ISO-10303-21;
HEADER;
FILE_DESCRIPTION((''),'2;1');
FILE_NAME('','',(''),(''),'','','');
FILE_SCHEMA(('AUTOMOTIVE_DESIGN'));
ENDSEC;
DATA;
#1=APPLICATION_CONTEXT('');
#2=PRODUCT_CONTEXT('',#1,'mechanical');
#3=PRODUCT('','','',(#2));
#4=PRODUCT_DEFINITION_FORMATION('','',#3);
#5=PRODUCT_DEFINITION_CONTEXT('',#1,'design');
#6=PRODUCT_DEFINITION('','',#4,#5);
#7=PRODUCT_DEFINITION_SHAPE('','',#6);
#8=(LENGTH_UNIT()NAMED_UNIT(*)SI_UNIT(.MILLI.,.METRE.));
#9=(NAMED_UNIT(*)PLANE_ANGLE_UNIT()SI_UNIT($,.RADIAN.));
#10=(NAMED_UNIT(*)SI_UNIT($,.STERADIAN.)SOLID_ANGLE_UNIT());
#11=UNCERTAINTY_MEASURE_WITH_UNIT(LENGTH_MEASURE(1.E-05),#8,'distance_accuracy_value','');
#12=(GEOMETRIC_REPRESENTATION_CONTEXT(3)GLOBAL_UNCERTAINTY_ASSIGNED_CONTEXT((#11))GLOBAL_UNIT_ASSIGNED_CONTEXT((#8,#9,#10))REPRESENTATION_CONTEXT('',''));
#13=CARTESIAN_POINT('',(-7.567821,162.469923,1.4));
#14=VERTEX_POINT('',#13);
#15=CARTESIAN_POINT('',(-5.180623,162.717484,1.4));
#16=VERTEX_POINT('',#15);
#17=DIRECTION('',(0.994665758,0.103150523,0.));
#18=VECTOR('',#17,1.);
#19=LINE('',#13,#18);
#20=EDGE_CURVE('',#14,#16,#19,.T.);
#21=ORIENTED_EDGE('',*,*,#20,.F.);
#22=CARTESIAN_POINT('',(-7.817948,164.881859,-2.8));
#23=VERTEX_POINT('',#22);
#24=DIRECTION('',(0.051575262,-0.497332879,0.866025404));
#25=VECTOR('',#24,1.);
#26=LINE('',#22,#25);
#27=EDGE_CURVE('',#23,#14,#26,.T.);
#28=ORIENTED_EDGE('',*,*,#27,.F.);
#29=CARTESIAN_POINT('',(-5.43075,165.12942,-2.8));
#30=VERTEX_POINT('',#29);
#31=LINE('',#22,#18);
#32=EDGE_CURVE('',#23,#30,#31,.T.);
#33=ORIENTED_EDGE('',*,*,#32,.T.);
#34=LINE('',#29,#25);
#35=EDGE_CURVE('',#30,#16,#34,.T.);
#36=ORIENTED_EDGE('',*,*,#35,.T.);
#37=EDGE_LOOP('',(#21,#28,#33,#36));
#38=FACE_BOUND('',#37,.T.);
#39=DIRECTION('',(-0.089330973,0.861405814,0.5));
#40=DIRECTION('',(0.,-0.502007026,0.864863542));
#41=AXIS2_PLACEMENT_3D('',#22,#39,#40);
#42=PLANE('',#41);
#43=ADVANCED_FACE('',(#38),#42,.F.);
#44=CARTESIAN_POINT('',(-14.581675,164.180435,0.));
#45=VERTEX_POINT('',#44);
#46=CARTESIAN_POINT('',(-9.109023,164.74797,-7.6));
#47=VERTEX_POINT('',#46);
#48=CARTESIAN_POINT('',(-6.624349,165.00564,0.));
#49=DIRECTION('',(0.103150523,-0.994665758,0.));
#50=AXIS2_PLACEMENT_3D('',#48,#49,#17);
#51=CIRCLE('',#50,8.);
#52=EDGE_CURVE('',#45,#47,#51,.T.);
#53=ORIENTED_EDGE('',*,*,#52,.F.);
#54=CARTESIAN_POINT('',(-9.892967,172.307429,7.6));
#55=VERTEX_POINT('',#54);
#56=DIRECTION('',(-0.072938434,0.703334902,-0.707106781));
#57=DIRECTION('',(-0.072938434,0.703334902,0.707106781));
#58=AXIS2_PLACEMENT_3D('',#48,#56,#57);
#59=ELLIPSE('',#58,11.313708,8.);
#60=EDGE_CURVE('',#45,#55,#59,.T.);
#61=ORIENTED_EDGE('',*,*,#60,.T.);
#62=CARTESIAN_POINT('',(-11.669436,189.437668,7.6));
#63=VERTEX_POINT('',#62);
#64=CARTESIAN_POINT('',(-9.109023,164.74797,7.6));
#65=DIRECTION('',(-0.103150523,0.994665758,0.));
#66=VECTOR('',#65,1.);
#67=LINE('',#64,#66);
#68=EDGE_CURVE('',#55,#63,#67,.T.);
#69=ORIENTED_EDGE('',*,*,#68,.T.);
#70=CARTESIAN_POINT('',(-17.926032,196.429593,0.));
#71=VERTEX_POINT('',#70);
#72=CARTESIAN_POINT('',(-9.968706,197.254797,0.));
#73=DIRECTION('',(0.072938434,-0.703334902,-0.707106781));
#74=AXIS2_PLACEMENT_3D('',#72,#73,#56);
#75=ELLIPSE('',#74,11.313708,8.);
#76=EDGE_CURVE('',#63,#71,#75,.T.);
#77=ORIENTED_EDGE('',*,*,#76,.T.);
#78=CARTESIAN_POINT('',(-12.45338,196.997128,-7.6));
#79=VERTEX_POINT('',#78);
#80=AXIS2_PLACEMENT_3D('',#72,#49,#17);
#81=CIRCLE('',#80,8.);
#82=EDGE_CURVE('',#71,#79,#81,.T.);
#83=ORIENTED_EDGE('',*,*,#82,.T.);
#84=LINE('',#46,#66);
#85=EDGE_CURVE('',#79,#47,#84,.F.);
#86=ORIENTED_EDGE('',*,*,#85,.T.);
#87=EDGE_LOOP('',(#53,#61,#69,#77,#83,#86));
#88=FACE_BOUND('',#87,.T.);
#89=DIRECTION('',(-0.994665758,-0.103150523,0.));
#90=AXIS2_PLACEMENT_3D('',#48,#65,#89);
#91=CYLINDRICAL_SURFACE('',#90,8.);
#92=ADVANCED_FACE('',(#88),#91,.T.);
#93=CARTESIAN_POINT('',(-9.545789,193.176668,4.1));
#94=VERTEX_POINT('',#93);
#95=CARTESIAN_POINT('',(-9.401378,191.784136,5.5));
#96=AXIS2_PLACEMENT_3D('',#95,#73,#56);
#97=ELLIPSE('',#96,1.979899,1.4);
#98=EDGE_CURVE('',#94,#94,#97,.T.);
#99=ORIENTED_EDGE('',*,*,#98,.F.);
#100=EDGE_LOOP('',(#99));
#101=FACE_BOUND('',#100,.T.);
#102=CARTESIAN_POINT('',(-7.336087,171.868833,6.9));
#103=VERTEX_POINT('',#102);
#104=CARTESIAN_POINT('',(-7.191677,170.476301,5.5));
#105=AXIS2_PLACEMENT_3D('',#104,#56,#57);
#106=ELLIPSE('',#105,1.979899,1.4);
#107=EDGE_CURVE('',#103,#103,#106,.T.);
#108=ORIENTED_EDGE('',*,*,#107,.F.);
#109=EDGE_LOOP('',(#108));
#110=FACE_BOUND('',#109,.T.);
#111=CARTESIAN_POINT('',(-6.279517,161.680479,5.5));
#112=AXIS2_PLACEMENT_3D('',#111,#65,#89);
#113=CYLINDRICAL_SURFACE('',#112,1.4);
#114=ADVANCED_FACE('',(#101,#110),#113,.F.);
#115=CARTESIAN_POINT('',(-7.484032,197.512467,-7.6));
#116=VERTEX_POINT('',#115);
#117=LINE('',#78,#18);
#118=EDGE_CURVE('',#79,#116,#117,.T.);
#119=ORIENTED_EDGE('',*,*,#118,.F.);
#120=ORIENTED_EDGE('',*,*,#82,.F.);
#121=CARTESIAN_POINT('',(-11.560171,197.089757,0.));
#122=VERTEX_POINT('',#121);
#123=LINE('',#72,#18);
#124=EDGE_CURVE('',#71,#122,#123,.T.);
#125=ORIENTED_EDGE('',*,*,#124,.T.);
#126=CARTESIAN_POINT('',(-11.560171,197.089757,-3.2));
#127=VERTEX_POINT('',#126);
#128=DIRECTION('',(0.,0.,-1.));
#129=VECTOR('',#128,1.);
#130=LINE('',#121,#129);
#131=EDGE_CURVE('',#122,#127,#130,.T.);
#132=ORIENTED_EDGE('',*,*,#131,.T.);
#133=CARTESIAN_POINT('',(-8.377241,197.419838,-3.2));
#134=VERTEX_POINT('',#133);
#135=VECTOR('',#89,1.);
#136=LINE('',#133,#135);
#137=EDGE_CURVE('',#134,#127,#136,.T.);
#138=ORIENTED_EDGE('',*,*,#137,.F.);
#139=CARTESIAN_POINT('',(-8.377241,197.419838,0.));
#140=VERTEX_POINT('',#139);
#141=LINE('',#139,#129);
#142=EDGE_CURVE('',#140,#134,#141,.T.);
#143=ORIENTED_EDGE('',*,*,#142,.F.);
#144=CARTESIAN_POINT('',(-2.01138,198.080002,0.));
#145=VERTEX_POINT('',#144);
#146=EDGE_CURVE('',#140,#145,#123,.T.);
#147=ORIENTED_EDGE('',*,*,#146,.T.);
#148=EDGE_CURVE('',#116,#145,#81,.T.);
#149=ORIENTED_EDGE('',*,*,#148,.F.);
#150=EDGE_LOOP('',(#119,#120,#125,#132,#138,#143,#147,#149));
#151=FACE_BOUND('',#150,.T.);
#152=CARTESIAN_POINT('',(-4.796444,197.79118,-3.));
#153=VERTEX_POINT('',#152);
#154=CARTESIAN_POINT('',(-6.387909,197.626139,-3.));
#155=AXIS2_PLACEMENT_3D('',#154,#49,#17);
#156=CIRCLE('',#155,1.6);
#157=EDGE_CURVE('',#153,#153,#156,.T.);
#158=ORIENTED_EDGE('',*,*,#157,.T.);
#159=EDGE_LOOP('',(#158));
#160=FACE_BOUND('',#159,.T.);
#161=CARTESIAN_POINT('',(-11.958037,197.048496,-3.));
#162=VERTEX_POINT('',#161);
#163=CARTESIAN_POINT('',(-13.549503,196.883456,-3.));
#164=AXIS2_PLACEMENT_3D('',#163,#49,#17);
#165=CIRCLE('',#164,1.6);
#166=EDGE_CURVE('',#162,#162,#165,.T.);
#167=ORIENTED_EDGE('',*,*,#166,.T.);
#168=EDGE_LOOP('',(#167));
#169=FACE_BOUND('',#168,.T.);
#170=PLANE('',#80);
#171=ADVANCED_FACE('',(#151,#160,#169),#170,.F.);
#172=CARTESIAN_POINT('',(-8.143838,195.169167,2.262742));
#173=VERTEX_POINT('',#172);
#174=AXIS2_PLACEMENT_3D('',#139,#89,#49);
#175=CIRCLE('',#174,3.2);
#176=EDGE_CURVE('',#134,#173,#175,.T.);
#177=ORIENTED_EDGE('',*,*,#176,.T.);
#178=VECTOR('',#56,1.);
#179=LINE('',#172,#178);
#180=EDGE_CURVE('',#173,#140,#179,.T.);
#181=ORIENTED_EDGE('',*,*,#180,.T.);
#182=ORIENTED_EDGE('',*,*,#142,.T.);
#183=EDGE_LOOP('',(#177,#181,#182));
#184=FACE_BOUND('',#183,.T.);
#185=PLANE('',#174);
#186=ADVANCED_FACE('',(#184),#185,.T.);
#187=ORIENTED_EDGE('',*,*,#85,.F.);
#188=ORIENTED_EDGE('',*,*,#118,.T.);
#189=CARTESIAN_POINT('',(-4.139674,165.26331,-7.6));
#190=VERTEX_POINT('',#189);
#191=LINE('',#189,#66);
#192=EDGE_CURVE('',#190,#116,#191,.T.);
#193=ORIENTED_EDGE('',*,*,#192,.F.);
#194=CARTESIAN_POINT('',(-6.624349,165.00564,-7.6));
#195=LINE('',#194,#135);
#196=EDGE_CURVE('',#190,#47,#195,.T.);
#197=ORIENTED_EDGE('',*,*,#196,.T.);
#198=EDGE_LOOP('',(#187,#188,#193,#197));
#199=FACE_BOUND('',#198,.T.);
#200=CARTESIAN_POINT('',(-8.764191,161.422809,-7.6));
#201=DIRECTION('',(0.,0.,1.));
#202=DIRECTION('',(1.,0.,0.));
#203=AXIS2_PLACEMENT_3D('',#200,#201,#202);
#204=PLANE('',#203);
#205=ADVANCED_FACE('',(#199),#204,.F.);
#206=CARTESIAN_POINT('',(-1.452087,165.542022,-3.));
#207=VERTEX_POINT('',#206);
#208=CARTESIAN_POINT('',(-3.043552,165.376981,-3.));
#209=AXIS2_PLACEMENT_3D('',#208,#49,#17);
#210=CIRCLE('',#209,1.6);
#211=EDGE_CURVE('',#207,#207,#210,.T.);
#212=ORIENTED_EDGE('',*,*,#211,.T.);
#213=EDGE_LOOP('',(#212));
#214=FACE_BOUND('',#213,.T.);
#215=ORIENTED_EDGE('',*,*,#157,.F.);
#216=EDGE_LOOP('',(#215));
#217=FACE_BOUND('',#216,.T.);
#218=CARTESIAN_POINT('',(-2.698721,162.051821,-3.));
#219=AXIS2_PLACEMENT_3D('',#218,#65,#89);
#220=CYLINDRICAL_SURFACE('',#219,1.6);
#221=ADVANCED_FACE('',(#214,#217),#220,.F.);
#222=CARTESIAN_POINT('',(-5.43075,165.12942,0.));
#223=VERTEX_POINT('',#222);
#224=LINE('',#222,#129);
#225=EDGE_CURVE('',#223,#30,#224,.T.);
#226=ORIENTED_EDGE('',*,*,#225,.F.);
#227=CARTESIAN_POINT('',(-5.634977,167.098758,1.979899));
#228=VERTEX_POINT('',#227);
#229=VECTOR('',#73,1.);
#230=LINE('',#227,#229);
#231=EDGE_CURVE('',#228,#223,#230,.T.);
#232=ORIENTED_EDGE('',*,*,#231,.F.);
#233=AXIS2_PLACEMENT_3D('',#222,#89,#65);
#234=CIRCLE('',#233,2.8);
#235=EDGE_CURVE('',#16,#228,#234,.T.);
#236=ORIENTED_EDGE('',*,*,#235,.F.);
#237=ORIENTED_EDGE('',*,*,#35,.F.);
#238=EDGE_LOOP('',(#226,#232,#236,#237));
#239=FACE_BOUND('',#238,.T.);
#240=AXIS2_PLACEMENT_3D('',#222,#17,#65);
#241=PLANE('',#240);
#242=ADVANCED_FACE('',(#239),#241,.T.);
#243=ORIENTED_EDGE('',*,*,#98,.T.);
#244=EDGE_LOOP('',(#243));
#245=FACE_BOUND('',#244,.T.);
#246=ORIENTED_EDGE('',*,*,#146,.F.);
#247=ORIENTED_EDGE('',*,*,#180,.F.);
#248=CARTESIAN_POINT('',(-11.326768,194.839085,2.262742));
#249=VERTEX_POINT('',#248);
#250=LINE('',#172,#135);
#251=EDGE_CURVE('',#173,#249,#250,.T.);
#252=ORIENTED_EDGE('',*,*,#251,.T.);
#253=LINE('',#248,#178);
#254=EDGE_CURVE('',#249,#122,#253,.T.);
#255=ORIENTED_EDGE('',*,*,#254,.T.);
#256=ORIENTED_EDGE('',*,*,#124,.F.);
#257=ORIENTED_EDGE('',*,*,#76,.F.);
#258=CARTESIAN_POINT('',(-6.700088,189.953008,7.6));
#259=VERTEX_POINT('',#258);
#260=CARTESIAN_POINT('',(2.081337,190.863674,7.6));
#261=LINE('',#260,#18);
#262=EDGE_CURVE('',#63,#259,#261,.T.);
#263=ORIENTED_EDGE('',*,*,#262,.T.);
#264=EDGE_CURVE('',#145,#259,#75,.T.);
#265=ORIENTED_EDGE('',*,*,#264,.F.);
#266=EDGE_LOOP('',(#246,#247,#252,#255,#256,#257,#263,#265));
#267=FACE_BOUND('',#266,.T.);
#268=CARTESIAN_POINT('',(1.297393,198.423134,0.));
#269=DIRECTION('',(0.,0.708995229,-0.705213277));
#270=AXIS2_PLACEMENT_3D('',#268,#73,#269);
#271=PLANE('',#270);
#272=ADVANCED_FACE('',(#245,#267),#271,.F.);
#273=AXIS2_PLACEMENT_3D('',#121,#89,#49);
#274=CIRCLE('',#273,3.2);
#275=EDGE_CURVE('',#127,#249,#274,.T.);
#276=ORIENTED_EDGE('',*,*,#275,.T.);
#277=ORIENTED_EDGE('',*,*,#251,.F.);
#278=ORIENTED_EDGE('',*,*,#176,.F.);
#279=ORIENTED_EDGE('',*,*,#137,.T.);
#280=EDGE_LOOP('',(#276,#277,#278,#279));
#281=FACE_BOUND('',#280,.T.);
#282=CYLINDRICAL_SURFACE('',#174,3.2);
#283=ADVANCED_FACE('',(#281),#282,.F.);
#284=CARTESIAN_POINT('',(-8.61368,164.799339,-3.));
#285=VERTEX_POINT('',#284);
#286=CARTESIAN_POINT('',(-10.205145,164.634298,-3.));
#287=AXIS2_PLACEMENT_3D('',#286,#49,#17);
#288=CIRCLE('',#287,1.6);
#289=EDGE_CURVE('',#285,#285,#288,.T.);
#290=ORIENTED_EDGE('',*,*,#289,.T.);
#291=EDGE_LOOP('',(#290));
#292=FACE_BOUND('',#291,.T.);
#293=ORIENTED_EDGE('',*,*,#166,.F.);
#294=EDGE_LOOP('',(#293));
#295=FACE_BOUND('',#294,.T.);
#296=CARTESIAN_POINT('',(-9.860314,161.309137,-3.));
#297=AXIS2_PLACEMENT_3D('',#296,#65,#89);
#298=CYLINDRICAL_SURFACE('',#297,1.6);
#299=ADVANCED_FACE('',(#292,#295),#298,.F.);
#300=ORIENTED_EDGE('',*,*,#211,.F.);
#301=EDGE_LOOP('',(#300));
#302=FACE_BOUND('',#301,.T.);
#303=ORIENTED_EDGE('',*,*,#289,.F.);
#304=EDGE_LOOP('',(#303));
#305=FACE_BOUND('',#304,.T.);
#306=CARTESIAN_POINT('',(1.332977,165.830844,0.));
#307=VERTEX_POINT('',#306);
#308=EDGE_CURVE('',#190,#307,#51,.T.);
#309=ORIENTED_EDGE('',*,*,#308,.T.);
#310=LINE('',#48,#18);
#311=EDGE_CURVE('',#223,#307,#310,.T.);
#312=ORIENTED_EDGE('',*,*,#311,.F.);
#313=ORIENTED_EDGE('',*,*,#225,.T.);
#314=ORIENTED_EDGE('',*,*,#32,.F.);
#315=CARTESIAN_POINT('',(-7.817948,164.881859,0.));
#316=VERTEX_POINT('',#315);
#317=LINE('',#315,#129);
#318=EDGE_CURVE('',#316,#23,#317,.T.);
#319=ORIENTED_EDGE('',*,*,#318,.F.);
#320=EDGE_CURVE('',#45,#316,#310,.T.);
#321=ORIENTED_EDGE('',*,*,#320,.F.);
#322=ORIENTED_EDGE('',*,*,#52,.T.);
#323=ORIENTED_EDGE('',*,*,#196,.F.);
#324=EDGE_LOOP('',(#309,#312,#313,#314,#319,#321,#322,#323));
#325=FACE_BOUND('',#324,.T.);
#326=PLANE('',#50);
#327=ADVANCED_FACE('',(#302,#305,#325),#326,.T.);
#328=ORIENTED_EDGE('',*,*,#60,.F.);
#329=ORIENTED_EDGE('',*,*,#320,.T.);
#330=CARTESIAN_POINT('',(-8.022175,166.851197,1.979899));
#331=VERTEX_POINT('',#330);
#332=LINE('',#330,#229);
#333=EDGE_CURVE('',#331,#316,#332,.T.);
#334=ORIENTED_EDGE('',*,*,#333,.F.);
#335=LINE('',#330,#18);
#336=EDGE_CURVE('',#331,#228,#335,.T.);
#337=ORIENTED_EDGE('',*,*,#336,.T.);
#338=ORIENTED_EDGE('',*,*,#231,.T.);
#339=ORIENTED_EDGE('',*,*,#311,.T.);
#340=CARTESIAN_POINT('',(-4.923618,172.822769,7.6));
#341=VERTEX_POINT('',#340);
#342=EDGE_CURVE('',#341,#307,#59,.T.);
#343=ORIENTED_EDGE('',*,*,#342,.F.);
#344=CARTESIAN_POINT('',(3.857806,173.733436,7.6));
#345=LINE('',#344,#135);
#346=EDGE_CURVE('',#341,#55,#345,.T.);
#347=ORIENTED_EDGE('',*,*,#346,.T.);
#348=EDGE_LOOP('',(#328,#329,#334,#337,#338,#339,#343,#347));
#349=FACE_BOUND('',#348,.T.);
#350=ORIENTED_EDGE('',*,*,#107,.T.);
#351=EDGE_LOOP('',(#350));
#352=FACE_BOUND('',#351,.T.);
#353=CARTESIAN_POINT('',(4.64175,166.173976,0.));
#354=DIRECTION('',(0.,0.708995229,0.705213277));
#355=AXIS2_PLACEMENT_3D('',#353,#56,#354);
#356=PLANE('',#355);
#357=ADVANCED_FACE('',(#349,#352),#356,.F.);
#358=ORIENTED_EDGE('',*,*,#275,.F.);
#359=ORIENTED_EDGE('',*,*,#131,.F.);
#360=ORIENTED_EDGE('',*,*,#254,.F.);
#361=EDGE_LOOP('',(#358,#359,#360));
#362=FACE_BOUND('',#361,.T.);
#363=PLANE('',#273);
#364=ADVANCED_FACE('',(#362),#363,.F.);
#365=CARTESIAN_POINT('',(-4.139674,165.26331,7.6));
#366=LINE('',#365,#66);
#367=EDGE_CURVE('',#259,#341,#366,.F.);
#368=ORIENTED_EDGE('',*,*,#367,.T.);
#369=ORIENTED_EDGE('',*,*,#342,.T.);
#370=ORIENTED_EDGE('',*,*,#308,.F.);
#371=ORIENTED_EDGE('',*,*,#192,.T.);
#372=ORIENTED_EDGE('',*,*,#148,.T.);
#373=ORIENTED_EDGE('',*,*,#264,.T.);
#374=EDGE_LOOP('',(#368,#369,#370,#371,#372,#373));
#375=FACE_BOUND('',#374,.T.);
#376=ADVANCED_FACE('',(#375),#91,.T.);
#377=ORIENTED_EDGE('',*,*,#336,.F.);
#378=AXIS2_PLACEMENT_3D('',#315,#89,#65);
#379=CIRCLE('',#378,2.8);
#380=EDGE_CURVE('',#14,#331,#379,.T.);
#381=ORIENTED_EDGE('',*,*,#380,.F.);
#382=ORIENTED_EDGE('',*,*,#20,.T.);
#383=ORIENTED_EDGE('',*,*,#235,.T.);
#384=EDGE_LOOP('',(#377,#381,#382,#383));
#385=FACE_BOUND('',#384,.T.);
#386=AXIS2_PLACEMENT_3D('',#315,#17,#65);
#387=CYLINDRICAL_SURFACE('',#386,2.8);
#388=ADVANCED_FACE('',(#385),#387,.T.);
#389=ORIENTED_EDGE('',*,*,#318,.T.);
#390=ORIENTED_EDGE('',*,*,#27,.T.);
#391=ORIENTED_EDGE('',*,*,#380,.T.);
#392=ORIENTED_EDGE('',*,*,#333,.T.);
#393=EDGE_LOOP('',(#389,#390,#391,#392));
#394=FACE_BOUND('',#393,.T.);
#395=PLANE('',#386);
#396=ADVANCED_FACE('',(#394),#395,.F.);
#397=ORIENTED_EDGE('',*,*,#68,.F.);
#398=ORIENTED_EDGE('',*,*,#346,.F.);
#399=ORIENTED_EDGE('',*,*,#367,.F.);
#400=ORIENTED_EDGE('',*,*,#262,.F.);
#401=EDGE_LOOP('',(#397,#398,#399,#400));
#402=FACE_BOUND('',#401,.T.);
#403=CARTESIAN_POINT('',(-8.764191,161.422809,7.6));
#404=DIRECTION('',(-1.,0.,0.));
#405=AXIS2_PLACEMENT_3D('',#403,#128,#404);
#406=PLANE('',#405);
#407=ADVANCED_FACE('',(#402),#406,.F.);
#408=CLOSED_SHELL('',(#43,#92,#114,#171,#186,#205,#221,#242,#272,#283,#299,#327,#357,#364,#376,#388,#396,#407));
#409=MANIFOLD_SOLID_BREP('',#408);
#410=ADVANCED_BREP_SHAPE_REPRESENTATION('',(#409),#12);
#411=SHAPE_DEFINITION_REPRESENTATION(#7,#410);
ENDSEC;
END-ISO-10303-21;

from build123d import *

# Parameters (mm, degrees)
SKETCH3_R               = 8
BOSS_EXTRUDE1_DEPTH     = 32.422105263
CUT_EXTRUDE1_DEPTH      = 12.326517504
CUT_EXTRUDE1_DEPTH_BACK = 12.326517504
BOSS_EXTRUDE2_DEPTH     = 1.2
CUT_EXTRUDE2_DEPTH      = 1.6
SKETCH8_R               = 1.4
SKETCH8_R_2             = 1.6
CUT_EXTRUDE3_DEPTH      = 2.64160469
CUT_EXTRUDE3_DEPTH_BACK = 36.765098388
CUT_EXTRUDE4_DEPTH      = 36.765098388


with BuildPart() as part:
    # Sketch3 → Boss-Extrude1 (new body)
    with BuildSketch(Plane(origin=(-20.344467381, 196.178792599, 0), x_dir=(-0.994665758, -0.103150523, 0), z_dir=(0.103150523, -0.994665758, 0))):
        with Locations((-10.431405186, 0)):
            Circle(SKETCH3_R)
    extrude(amount=BOSS_EXTRUDE1_DEPTH)

    # Sketch4 → Cut-Extrude1 (cut, two sides)
    with BuildSketch(Plane(origin=(10.375761543, 1.076004901, 0), x_dir=(0.103150523, -0.994665758, 0), z_dir=(-0.994665758, -0.103150523, 0))) as cut_extrude1_sk:
        Polygon((-197.230869842, 0), (-189.230869842, 8), (-197.230869842, 8), align=None)
        Polygon((-172.808764579, 8), (-164.808764579, 8), (-164.808764579, 0), align=None)
    extrude(amount=CUT_EXTRUDE1_DEPTH, mode=Mode.SUBTRACT)
    extrude(cut_extrude1_sk.sketch, amount=-CUT_EXTRUDE1_DEPTH_BACK, mode=Mode.SUBTRACT)

    # Sketch5 → Boss-Extrude2 (add, symmetric)
    with BuildSketch(Plane(origin=(10.375761543, 1.076004901, 0), x_dir=(0.103150523, -0.994665758, 0), z_dir=(-0.994665758, -0.103150523, 0))):
        with BuildLine():
            Line((-164.808764579, -2.8), (-162.383893448, 1.4))
            ThreePointArc((-162.383893448, 1.4), (-164.443291241, 2.776045612), (-166.788663566, 1.979898987))
            Line((-166.788663566, 1.979898987), (-164.808764579, 0))
            Line((-164.808764579, 0), (-164.808764579, -2.8))
        make_face()
    extrude(amount=BOSS_EXTRUDE2_DEPTH, both=True)

    # Sketch7 → Cut-Extrude2 (cut, symmetric)
    with BuildSketch(Plane(origin=(10.375761543, 1.076004901, 0), x_dir=(0.103150523, -0.994665758, 0), z_dir=(-0.994665758, -0.103150523, 0))):
        with BuildLine():
            Line((-194.968128142, 2.2627417), (-197.230869842, 0))
            Line((-197.230869842, 0), (-197.230869842, -3.2))
            ThreePointArc((-197.230869842, -3.2), (-194.274455338, -1.224586984), (-194.968128142, 2.2627417))
        make_face()
    extrude(amount=CUT_EXTRUDE2_DEPTH, both=True, mode=Mode.SUBTRACT)

    # Sketch8 → Cut-Extrude3 (cut, two sides)
    with BuildSketch(Plane(origin=(-20.344467381, 196.178792599, 0), x_dir=(0.994665758, 0.103150523, 0), z_dir=(-0.103150523, 0.994665758, 0))) as cut_extrude3_sk:
        with Locations((10.431405186, -5.5)):
            Circle(SKETCH8_R)
        with Locations((6.831405186, 3)):
            Circle(SKETCH8_R_2)
        with Locations((14.031405186, 3)):
            Circle(SKETCH8_R_2)
    extrude(amount=CUT_EXTRUDE3_DEPTH, mode=Mode.SUBTRACT)
    extrude(cut_extrude3_sk.sketch, amount=-CUT_EXTRUDE3_DEPTH_BACK, mode=Mode.SUBTRACT)

    # Sketch9 → Cut-Extrude4 (cut, through all)
    with BuildSketch(Plane(origin=(-20.344467381, 196.178792599, 0), x_dir=(0.994665758, 0.103150523, 0), z_dir=(-0.103150523, 0.994665758, 0))):
        with BuildLine():
            Line((7.933405986, 7.6), (12.929404385, 7.6))
            ThreePointArc((12.929404385, 7.6), (10.431405186, 8), (7.933405986, 7.6))
        make_face()
        with BuildLine():
            Line((7.933405986, -7.6), (12.929404385, -7.6))
            ThreePointArc((12.929404385, -7.6), (10.431405186, -8), (7.933405986, -7.6))
        make_face()
    extrude(amount=-CUT_EXTRUDE4_DEPTH, mode=Mode.SUBTRACT)


solid = part.part
